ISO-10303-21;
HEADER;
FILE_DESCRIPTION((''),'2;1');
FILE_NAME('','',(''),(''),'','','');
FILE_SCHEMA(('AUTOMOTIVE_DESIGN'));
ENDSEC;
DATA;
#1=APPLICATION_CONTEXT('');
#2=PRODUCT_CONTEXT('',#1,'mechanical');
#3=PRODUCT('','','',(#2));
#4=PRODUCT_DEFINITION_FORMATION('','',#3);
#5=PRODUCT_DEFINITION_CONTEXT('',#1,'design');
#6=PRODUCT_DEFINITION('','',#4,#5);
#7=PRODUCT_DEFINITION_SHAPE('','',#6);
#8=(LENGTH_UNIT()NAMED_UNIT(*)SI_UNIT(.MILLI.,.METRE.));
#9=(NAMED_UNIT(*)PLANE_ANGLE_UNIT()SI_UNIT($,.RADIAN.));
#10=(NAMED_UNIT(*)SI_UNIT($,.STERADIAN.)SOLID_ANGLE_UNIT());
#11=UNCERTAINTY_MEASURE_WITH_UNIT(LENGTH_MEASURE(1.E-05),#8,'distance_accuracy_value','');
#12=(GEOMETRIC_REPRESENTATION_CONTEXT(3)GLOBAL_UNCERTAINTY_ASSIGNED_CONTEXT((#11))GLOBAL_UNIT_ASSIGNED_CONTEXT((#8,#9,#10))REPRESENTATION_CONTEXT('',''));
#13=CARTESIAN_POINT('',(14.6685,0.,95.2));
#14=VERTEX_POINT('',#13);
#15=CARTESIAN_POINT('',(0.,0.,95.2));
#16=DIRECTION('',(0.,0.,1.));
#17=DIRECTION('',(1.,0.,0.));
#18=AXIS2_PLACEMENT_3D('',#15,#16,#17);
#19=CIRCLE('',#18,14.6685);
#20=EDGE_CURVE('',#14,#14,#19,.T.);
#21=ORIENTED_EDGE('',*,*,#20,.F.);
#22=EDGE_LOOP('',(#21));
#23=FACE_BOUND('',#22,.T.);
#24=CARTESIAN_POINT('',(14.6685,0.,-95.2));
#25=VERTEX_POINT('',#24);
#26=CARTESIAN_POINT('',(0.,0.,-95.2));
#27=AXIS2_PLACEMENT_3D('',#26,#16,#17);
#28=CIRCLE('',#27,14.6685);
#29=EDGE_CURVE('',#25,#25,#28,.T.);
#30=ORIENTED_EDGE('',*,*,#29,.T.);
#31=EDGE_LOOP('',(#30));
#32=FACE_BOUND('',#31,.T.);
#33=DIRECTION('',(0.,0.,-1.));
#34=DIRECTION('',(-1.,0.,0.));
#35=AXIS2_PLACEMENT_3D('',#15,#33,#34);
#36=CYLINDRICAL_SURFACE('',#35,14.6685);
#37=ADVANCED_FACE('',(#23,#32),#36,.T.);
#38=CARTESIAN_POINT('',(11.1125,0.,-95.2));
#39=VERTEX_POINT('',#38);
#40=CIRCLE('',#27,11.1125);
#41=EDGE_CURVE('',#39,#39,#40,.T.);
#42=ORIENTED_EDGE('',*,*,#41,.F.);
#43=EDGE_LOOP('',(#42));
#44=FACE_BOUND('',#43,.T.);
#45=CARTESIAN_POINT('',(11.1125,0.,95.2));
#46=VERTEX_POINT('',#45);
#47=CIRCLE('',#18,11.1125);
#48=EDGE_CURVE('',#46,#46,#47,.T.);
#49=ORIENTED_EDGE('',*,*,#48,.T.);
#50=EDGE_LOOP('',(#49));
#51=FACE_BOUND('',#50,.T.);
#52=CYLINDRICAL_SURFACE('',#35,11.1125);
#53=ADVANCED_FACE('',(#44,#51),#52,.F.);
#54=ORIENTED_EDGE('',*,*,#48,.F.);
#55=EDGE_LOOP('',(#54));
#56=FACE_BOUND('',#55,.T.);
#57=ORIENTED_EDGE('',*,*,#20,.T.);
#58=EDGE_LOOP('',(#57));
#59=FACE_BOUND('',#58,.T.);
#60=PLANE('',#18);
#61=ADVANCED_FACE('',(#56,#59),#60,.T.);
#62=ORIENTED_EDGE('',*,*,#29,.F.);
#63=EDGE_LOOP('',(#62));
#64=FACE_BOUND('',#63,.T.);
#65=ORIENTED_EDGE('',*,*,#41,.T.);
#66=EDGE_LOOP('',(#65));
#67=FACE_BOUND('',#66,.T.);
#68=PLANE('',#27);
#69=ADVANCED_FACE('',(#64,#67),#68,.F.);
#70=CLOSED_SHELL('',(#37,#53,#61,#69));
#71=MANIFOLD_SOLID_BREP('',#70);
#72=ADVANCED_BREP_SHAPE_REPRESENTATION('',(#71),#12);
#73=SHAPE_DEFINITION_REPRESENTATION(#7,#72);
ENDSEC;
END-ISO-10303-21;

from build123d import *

# Parameters (mm, degrees)
SKETCH1_R           = 14.6685
SKETCH1_R_2         = 11.1125
BOSS_EXTRUDE1_DEPTH = 95.2


with BuildPart() as part:
    # Sketch1 → Boss-Extrude1 (new, symmetric)
    with BuildSketch(Plane.XY):
        Circle(SKETCH1_R)
        Circle(SKETCH1_R_2, mode=Mode.SUBTRACT)
    extrude(amount=BOSS_EXTRUDE1_DEPTH, both=True)


solid = part.part
